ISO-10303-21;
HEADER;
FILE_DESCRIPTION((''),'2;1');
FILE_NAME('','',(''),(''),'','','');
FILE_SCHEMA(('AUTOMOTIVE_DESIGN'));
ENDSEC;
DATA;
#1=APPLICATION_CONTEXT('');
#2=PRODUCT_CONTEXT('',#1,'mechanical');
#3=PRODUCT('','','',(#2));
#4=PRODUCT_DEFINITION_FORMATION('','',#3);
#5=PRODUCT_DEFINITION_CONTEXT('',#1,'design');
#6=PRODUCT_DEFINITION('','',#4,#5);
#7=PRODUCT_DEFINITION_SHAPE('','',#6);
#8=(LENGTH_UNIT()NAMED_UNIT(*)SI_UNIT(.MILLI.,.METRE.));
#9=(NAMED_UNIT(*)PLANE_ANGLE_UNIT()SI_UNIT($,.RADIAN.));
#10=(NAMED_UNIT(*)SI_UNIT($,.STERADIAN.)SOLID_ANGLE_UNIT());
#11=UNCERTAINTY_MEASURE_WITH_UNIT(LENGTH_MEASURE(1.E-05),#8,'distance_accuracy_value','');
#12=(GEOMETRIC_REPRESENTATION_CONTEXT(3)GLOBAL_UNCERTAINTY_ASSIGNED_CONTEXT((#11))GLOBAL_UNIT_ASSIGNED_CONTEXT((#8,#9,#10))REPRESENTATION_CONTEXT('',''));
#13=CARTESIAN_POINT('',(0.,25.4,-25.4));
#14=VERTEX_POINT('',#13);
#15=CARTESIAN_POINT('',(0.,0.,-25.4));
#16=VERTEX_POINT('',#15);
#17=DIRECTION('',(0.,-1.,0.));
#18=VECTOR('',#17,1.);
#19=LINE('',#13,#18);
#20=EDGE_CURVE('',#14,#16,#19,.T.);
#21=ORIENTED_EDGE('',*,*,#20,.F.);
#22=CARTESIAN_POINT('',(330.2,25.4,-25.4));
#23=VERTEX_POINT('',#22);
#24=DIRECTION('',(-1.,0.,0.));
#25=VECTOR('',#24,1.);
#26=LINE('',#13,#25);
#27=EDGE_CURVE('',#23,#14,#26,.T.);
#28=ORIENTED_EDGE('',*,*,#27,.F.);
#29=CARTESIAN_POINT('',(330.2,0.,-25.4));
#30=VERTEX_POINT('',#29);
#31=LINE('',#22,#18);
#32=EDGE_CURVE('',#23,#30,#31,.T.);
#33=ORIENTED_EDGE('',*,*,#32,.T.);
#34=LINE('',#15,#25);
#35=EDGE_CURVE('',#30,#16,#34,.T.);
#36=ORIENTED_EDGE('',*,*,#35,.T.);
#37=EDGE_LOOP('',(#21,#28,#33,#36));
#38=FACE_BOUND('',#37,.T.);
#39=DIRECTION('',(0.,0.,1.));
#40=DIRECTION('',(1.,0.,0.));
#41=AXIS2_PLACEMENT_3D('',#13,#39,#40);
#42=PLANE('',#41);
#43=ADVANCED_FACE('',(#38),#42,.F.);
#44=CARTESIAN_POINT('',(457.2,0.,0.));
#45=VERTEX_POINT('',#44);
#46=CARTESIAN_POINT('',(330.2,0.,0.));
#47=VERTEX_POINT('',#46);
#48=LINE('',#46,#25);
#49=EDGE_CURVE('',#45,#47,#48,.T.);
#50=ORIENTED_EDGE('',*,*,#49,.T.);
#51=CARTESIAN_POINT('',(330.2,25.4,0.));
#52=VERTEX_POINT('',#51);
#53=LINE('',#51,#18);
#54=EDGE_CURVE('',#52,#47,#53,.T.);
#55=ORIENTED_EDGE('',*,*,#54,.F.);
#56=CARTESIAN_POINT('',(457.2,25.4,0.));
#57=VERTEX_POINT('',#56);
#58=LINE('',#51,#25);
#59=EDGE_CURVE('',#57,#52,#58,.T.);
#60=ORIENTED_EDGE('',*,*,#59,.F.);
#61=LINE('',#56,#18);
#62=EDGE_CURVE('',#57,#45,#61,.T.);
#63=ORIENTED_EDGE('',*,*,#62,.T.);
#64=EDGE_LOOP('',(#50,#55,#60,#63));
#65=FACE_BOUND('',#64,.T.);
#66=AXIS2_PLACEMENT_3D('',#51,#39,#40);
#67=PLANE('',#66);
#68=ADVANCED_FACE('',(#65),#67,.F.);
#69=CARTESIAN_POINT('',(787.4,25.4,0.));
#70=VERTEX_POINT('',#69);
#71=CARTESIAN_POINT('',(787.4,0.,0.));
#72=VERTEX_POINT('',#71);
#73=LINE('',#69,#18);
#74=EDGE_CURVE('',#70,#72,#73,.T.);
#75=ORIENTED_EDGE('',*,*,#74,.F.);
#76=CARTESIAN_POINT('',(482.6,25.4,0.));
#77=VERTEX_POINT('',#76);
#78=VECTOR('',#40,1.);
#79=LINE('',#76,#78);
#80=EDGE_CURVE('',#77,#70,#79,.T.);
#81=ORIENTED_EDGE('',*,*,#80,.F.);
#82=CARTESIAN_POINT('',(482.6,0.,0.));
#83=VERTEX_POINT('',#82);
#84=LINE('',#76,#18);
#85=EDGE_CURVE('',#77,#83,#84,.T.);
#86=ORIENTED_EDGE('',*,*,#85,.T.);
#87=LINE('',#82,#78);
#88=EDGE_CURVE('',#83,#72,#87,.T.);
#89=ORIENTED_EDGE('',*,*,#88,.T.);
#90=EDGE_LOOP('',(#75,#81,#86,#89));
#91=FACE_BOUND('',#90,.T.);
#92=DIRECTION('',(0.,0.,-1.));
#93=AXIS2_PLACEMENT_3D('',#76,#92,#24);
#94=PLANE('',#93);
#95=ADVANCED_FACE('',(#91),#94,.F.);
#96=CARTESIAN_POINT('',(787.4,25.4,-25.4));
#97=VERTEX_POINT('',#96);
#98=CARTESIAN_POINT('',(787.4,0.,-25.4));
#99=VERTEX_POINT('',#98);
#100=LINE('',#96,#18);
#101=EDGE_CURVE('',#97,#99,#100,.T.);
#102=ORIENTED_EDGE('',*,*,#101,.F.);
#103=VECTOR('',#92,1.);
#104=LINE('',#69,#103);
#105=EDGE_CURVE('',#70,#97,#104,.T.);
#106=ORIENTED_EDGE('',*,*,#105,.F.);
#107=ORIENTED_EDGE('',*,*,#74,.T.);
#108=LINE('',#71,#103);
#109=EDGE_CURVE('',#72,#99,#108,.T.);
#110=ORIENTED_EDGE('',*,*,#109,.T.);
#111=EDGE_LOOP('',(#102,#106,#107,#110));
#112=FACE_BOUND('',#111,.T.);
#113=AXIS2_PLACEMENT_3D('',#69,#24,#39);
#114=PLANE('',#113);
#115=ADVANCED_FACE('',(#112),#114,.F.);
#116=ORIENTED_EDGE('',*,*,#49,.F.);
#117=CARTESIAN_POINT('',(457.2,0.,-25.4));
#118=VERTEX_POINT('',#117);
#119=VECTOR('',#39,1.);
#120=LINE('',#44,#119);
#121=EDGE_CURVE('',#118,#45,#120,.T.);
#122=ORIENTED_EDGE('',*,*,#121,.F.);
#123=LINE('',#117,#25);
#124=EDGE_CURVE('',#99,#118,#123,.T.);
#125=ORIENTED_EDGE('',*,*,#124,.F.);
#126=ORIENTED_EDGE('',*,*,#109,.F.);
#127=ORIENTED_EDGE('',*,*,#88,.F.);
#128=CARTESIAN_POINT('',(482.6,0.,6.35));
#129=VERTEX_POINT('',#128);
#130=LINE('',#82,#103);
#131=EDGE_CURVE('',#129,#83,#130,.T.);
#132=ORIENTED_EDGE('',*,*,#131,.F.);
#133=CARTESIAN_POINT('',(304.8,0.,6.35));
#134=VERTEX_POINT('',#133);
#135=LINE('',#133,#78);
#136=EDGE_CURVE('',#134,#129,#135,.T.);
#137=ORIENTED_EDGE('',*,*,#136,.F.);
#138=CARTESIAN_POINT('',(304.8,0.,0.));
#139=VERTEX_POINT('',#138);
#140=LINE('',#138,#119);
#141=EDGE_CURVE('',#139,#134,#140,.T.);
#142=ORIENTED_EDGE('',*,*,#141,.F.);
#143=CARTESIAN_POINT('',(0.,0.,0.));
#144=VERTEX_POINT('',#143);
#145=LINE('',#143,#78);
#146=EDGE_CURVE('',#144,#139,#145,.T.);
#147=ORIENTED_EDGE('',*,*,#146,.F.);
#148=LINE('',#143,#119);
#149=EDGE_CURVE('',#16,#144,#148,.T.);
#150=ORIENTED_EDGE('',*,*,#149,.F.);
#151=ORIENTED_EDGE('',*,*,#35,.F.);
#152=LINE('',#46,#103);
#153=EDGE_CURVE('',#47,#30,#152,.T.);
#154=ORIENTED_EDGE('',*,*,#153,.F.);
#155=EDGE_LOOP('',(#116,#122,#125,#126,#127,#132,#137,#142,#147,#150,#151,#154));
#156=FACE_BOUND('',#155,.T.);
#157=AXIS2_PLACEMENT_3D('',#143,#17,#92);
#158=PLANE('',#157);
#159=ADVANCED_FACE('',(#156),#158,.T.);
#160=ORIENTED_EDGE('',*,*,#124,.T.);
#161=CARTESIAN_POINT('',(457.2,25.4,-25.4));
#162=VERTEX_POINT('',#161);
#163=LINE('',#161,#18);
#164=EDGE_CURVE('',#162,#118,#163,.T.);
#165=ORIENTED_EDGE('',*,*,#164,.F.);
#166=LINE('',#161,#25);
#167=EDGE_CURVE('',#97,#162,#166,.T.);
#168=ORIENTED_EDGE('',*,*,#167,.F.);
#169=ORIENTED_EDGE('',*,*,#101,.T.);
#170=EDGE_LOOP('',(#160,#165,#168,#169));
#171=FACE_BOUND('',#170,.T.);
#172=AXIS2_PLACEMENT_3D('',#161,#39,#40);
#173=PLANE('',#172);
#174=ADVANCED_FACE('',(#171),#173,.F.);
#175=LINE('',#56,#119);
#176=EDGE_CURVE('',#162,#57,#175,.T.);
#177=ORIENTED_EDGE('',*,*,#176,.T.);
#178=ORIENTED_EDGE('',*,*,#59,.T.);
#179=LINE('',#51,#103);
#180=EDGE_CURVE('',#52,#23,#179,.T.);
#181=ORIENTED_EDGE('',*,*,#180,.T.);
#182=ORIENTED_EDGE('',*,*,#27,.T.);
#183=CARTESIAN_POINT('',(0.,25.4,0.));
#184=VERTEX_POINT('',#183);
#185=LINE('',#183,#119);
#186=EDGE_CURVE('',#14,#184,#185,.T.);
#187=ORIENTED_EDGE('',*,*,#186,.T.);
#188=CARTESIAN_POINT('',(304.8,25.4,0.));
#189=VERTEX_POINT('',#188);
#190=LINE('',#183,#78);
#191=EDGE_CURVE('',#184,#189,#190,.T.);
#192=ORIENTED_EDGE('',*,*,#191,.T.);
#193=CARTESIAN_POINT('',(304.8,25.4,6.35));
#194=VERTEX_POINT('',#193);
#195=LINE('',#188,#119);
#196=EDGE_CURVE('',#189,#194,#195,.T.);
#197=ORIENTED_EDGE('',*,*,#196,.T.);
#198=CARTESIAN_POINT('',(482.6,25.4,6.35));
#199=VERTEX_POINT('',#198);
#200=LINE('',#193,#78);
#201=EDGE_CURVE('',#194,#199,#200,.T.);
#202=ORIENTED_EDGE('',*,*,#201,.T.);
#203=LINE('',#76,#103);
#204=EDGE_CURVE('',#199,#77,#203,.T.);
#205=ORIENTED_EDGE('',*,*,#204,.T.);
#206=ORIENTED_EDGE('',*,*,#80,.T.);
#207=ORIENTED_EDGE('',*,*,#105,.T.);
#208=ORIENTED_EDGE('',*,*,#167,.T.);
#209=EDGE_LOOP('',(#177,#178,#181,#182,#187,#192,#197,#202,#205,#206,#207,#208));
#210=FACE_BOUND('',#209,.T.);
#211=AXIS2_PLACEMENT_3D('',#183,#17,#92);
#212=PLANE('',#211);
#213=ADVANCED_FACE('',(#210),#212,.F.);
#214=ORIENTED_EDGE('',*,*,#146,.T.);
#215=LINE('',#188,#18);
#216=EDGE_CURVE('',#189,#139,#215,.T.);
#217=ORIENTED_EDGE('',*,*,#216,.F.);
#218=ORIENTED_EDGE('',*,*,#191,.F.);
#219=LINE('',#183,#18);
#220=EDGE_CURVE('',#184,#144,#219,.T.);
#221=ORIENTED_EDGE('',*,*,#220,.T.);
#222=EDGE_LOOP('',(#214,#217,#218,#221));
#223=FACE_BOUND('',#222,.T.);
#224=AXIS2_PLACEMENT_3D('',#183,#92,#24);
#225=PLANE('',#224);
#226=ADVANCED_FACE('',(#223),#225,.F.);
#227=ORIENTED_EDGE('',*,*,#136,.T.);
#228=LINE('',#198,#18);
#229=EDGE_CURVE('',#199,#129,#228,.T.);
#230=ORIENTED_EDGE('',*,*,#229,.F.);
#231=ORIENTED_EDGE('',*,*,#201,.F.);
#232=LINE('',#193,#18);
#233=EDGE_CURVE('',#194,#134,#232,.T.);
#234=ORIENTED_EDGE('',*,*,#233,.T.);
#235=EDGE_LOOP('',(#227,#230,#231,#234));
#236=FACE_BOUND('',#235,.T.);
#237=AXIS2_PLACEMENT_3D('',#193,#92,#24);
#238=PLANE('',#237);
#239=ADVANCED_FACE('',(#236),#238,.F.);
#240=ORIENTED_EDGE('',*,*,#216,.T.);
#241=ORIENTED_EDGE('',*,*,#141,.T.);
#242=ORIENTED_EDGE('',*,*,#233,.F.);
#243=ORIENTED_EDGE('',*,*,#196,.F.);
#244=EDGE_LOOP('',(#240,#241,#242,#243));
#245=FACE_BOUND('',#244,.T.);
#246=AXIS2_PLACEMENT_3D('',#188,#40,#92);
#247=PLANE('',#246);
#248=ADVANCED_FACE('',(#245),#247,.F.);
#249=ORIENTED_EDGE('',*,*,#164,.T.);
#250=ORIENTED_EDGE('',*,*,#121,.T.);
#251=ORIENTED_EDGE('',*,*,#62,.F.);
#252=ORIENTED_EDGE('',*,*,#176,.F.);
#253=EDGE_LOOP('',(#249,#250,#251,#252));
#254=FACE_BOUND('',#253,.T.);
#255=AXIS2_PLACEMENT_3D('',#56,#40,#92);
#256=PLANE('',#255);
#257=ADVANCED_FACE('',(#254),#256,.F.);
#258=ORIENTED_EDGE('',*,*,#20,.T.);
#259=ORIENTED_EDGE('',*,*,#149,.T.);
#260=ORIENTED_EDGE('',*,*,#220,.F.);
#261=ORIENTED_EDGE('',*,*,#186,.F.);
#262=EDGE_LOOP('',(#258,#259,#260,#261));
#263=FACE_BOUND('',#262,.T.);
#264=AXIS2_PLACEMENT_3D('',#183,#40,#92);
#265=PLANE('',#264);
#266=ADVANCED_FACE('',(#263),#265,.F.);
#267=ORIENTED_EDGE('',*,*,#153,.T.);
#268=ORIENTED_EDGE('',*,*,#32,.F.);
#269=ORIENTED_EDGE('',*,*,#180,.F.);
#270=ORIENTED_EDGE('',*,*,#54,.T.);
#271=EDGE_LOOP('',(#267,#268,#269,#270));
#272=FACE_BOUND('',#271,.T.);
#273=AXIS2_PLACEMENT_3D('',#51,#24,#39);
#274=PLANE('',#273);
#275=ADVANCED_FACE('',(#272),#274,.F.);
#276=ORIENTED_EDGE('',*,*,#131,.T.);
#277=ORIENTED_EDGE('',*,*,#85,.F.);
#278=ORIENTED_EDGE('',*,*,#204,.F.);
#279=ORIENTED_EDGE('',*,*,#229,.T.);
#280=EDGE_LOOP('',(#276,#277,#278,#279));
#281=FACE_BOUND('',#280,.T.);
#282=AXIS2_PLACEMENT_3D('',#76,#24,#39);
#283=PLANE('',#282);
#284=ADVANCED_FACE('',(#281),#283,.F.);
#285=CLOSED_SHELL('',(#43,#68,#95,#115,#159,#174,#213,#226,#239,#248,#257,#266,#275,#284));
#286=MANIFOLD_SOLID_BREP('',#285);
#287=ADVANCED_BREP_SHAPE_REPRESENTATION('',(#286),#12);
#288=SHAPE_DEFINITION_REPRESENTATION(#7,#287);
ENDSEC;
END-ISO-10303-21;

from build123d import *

# Parameters (mm, degrees)
BOSS_EXTRUDE1_DEPTH = 25.4


with BuildPart() as part:
    # Sketch1 → Boss-Extrude1 (new body)
    with BuildSketch(Plane(origin=(0, 0, 0), x_dir=(1, 0, 0), z_dir=(0, 1, 0))):
        Polygon((330.2, 0), (330.2, 25.4), (0, 25.4), (0, 0), (304.8, 0), (304.8, -6.35), (482.6, -6.35), (482.6, 0), (787.4, 0), (787.4, 25.4), (457.2, 25.4), (457.2, 0), align=None)
    extrude(amount=BOSS_EXTRUDE1_DEPTH)


solid = part.part
